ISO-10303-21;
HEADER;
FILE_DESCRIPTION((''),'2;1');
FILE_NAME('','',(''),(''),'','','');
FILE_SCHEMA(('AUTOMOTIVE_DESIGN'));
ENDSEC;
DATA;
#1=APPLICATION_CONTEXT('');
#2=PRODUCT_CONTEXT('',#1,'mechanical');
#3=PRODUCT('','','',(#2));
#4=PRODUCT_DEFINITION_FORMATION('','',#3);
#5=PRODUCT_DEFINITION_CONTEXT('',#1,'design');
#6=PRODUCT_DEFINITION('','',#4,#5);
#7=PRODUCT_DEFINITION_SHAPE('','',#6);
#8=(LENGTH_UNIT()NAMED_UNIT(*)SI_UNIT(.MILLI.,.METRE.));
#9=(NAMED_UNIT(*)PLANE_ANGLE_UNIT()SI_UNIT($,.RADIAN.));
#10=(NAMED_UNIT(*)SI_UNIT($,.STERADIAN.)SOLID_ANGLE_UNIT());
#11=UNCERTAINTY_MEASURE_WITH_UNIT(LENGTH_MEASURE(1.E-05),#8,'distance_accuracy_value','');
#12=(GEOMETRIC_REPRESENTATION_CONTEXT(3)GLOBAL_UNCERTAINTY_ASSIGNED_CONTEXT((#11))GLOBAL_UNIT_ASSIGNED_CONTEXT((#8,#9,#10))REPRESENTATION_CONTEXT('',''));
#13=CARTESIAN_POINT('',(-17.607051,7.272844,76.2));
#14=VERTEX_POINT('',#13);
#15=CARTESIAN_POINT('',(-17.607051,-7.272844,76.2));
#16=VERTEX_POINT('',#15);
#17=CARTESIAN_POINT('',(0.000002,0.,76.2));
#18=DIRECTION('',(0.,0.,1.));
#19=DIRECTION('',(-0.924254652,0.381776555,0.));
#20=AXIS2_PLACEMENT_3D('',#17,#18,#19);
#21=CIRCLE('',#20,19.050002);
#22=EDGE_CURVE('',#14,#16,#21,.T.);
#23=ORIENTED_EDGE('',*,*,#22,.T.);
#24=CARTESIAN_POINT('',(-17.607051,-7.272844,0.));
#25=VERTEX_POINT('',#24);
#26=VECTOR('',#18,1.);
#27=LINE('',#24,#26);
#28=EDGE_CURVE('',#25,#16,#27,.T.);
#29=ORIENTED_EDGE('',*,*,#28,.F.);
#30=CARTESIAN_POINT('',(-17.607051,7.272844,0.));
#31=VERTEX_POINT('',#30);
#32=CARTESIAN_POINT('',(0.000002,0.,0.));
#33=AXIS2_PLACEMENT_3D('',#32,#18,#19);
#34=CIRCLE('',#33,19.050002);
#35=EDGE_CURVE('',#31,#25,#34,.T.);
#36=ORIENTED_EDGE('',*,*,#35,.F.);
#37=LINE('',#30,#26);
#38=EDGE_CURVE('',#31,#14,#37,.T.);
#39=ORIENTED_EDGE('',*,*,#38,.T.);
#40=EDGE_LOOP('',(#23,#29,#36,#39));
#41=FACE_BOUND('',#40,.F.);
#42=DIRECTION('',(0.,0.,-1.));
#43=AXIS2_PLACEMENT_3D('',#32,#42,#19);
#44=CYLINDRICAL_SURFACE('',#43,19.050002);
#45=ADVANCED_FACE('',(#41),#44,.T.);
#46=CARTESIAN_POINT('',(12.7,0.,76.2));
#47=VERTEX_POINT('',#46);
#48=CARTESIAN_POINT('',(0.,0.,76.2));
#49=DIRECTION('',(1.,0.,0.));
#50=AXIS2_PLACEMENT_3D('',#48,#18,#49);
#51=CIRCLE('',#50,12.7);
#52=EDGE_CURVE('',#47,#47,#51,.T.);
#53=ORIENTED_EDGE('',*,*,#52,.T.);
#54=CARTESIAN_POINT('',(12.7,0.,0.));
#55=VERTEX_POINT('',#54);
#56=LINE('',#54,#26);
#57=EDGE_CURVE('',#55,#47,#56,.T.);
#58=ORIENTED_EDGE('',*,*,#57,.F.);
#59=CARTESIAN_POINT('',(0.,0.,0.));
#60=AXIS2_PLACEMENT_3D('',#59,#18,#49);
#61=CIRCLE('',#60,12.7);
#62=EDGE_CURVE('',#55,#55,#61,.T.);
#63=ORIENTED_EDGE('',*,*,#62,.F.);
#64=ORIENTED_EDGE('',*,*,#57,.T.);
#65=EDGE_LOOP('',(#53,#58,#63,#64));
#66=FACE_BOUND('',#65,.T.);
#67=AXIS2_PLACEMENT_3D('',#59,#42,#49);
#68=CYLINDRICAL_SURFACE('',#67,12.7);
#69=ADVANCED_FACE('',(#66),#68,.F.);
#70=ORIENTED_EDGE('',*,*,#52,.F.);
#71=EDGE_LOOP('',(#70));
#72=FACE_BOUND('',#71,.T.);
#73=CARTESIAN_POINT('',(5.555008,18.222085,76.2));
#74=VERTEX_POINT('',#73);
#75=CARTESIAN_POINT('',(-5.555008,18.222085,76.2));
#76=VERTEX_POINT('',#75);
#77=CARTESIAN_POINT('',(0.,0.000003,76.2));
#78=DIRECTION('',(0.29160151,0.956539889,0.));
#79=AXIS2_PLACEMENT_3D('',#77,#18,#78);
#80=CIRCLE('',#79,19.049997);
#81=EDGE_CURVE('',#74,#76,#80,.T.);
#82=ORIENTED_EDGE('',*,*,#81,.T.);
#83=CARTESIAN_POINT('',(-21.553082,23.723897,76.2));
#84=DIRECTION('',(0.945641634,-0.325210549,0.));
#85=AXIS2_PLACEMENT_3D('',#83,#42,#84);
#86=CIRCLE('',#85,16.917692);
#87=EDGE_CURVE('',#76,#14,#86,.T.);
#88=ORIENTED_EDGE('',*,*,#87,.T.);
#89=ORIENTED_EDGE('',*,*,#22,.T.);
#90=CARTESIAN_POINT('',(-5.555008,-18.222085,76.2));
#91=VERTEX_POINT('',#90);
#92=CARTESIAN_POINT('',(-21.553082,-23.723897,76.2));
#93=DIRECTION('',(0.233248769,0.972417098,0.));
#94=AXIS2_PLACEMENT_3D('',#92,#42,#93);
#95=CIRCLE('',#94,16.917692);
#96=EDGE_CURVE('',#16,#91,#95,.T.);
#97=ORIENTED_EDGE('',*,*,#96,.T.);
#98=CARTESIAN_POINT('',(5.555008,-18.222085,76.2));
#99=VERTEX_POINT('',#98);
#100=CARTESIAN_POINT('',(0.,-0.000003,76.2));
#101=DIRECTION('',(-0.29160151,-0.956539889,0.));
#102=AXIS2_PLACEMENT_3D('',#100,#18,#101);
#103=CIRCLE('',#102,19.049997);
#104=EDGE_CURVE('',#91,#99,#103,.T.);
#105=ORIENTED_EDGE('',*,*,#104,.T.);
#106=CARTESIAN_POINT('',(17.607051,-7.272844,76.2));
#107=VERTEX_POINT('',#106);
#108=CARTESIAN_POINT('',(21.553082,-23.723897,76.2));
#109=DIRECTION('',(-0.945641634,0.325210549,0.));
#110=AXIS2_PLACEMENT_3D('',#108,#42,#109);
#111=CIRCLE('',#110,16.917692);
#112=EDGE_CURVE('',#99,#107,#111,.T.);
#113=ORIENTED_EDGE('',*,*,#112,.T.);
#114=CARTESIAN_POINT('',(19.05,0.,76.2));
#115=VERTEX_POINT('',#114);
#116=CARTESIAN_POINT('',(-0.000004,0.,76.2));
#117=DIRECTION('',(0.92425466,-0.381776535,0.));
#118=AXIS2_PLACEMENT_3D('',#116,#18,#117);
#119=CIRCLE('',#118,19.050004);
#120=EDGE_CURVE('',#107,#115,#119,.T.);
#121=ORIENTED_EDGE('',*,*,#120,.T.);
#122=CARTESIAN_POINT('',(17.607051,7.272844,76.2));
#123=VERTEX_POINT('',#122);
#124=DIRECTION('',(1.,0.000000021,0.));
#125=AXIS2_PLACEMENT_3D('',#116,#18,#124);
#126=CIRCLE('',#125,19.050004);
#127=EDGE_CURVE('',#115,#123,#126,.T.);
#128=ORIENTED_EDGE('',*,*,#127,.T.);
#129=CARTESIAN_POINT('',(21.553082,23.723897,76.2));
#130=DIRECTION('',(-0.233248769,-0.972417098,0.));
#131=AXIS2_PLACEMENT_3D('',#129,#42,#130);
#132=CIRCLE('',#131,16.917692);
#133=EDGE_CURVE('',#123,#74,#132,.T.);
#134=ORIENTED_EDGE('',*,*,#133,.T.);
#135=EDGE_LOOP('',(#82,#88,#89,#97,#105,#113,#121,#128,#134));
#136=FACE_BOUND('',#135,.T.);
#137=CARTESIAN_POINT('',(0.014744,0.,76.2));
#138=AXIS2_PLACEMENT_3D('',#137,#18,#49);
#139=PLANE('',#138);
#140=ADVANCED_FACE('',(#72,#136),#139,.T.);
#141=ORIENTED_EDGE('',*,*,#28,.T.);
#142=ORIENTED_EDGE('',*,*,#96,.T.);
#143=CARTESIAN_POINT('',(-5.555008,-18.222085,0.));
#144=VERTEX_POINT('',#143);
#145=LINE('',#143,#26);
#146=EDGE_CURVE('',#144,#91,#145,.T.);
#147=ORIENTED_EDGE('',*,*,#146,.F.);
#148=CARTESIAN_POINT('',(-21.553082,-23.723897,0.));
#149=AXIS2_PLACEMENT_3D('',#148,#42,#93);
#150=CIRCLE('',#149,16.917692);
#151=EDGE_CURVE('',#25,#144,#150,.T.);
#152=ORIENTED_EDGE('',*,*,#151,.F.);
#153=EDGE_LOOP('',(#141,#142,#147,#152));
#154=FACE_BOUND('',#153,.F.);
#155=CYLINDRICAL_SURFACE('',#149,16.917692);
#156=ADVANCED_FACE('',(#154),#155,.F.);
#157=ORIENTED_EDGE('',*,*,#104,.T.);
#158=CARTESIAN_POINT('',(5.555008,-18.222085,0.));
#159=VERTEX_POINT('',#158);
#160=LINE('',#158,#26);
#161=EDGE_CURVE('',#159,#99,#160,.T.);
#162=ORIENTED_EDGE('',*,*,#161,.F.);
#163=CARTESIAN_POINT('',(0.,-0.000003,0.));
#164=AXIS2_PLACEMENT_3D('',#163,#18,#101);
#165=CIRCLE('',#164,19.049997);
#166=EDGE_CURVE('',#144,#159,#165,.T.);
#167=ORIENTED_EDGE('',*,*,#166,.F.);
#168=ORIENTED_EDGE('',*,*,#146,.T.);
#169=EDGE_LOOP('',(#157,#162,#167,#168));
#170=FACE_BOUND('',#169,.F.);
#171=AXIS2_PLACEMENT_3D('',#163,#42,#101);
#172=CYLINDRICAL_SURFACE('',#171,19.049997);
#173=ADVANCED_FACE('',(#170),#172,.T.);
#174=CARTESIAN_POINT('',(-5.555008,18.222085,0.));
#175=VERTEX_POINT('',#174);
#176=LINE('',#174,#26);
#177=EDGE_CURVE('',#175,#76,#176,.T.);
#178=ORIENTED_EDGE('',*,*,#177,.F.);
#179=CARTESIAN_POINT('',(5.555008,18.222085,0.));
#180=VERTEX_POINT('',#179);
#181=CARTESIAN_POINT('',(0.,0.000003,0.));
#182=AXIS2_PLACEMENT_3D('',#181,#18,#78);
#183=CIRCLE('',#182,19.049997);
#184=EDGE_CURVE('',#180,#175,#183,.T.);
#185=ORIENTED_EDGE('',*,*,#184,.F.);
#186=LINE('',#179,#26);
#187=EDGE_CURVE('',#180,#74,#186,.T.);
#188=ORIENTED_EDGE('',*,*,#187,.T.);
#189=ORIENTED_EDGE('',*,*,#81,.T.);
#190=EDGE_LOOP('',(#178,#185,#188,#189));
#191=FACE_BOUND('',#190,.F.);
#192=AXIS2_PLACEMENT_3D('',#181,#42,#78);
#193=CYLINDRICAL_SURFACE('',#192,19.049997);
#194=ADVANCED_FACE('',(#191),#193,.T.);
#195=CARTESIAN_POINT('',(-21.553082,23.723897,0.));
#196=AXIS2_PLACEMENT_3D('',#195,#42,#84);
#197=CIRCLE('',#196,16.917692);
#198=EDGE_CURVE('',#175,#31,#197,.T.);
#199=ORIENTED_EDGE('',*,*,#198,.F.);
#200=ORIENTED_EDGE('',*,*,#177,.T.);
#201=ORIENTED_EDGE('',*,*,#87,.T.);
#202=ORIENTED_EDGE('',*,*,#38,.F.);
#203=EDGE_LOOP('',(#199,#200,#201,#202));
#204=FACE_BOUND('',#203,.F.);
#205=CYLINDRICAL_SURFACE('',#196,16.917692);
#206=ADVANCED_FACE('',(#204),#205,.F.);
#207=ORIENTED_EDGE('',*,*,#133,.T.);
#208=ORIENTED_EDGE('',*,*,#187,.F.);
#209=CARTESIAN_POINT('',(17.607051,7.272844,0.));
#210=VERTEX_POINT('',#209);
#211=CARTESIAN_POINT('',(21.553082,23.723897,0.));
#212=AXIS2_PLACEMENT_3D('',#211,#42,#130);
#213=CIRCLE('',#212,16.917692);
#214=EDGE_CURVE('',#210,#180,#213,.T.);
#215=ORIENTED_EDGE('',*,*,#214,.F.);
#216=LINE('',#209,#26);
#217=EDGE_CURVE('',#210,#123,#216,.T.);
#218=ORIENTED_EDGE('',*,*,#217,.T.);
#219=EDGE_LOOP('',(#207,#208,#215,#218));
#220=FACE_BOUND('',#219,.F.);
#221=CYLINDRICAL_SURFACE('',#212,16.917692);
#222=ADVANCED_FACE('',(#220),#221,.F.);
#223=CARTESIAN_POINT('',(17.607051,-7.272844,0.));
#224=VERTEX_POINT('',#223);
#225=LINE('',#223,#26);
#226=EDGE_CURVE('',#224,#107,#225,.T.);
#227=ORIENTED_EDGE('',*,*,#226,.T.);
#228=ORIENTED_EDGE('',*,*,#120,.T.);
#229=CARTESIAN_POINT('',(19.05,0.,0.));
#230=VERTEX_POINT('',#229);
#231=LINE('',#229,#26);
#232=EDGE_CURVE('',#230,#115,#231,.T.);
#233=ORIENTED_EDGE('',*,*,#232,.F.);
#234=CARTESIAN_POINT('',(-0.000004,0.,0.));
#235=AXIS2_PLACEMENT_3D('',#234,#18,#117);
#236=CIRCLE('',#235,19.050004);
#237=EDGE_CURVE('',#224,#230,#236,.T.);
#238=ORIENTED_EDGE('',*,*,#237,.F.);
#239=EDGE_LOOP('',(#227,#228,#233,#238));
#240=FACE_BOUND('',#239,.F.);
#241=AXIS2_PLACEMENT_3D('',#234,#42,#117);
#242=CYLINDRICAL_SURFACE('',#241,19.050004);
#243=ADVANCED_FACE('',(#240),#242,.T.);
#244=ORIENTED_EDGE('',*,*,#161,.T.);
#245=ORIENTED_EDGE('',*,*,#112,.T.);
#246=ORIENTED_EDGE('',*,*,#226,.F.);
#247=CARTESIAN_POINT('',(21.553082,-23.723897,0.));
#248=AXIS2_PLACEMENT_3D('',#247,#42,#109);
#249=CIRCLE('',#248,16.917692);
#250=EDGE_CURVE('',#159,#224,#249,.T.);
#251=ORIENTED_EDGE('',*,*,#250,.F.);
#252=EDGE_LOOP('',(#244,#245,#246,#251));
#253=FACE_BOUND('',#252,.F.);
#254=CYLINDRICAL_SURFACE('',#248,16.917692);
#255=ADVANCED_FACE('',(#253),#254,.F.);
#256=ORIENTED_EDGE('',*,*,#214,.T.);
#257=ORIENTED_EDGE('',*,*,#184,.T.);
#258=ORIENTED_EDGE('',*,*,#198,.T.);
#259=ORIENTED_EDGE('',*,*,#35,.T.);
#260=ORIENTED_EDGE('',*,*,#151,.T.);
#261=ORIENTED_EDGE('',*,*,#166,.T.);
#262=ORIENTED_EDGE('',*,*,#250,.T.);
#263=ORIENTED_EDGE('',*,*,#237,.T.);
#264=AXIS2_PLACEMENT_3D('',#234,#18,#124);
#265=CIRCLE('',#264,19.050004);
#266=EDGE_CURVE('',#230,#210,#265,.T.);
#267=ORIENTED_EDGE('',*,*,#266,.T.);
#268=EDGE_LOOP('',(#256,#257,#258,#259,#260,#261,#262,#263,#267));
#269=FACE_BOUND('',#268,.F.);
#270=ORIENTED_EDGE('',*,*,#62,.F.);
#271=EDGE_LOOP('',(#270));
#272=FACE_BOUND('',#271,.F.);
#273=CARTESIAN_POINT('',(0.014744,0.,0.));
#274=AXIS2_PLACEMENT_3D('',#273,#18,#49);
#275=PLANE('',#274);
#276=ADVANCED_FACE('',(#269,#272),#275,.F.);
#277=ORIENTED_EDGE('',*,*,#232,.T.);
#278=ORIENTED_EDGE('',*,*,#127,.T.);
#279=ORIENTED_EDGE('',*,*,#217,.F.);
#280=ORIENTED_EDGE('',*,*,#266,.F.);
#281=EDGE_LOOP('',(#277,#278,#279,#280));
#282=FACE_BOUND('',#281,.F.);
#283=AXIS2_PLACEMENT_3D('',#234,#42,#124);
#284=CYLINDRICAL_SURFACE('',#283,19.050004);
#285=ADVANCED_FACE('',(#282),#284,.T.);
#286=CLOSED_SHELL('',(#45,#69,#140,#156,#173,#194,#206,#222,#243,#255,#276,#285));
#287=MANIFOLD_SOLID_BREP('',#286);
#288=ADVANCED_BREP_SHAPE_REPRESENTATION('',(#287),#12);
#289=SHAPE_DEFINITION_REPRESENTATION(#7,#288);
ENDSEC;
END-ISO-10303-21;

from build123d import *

# Parameters (mm, degrees)
F0_R     = 12.7
F1_DEPTH = 76.2


with BuildPart() as f1:
    # F0 (on Top) → F1 (new body)
    with BuildSketch(Plane.XY):
        with BuildLine():
            ThreePointArc((17.607051, -7.272844), (18.685781, -3.707302), (19.05, 0))
            ThreePointArc((19.05, 0), (18.685781, 3.707302), (17.607051, 7.272844))
            ThreePointArc((17.607051, 7.272844), (10.177085, 11.202116), (5.555008, 18.222085))
            ThreePointArc((5.555008, 18.222085), (0, 19.05), (-5.555008, 18.222085))
            ThreePointArc((-5.555008, 18.222085), (-10.177085, 11.202116), (-17.607051, 7.272844))
            ThreePointArc((-17.607051, 7.272844), (-19.05, 0), (-17.607051, -7.272844))
            ThreePointArc((-17.607051, -7.272844), (-10.177085, -11.202116), (-5.555008, -18.222085))
            ThreePointArc((-5.555008, -18.222085), (0, -19.05), (5.555008, -18.222085))
            ThreePointArc((5.555008, -18.222085), (10.177085, -11.202116), (17.607051, -7.272844))
        make_face()
        Circle(F0_R, mode=Mode.SUBTRACT)
    extrude(amount=F1_DEPTH)


solid = f1.part
